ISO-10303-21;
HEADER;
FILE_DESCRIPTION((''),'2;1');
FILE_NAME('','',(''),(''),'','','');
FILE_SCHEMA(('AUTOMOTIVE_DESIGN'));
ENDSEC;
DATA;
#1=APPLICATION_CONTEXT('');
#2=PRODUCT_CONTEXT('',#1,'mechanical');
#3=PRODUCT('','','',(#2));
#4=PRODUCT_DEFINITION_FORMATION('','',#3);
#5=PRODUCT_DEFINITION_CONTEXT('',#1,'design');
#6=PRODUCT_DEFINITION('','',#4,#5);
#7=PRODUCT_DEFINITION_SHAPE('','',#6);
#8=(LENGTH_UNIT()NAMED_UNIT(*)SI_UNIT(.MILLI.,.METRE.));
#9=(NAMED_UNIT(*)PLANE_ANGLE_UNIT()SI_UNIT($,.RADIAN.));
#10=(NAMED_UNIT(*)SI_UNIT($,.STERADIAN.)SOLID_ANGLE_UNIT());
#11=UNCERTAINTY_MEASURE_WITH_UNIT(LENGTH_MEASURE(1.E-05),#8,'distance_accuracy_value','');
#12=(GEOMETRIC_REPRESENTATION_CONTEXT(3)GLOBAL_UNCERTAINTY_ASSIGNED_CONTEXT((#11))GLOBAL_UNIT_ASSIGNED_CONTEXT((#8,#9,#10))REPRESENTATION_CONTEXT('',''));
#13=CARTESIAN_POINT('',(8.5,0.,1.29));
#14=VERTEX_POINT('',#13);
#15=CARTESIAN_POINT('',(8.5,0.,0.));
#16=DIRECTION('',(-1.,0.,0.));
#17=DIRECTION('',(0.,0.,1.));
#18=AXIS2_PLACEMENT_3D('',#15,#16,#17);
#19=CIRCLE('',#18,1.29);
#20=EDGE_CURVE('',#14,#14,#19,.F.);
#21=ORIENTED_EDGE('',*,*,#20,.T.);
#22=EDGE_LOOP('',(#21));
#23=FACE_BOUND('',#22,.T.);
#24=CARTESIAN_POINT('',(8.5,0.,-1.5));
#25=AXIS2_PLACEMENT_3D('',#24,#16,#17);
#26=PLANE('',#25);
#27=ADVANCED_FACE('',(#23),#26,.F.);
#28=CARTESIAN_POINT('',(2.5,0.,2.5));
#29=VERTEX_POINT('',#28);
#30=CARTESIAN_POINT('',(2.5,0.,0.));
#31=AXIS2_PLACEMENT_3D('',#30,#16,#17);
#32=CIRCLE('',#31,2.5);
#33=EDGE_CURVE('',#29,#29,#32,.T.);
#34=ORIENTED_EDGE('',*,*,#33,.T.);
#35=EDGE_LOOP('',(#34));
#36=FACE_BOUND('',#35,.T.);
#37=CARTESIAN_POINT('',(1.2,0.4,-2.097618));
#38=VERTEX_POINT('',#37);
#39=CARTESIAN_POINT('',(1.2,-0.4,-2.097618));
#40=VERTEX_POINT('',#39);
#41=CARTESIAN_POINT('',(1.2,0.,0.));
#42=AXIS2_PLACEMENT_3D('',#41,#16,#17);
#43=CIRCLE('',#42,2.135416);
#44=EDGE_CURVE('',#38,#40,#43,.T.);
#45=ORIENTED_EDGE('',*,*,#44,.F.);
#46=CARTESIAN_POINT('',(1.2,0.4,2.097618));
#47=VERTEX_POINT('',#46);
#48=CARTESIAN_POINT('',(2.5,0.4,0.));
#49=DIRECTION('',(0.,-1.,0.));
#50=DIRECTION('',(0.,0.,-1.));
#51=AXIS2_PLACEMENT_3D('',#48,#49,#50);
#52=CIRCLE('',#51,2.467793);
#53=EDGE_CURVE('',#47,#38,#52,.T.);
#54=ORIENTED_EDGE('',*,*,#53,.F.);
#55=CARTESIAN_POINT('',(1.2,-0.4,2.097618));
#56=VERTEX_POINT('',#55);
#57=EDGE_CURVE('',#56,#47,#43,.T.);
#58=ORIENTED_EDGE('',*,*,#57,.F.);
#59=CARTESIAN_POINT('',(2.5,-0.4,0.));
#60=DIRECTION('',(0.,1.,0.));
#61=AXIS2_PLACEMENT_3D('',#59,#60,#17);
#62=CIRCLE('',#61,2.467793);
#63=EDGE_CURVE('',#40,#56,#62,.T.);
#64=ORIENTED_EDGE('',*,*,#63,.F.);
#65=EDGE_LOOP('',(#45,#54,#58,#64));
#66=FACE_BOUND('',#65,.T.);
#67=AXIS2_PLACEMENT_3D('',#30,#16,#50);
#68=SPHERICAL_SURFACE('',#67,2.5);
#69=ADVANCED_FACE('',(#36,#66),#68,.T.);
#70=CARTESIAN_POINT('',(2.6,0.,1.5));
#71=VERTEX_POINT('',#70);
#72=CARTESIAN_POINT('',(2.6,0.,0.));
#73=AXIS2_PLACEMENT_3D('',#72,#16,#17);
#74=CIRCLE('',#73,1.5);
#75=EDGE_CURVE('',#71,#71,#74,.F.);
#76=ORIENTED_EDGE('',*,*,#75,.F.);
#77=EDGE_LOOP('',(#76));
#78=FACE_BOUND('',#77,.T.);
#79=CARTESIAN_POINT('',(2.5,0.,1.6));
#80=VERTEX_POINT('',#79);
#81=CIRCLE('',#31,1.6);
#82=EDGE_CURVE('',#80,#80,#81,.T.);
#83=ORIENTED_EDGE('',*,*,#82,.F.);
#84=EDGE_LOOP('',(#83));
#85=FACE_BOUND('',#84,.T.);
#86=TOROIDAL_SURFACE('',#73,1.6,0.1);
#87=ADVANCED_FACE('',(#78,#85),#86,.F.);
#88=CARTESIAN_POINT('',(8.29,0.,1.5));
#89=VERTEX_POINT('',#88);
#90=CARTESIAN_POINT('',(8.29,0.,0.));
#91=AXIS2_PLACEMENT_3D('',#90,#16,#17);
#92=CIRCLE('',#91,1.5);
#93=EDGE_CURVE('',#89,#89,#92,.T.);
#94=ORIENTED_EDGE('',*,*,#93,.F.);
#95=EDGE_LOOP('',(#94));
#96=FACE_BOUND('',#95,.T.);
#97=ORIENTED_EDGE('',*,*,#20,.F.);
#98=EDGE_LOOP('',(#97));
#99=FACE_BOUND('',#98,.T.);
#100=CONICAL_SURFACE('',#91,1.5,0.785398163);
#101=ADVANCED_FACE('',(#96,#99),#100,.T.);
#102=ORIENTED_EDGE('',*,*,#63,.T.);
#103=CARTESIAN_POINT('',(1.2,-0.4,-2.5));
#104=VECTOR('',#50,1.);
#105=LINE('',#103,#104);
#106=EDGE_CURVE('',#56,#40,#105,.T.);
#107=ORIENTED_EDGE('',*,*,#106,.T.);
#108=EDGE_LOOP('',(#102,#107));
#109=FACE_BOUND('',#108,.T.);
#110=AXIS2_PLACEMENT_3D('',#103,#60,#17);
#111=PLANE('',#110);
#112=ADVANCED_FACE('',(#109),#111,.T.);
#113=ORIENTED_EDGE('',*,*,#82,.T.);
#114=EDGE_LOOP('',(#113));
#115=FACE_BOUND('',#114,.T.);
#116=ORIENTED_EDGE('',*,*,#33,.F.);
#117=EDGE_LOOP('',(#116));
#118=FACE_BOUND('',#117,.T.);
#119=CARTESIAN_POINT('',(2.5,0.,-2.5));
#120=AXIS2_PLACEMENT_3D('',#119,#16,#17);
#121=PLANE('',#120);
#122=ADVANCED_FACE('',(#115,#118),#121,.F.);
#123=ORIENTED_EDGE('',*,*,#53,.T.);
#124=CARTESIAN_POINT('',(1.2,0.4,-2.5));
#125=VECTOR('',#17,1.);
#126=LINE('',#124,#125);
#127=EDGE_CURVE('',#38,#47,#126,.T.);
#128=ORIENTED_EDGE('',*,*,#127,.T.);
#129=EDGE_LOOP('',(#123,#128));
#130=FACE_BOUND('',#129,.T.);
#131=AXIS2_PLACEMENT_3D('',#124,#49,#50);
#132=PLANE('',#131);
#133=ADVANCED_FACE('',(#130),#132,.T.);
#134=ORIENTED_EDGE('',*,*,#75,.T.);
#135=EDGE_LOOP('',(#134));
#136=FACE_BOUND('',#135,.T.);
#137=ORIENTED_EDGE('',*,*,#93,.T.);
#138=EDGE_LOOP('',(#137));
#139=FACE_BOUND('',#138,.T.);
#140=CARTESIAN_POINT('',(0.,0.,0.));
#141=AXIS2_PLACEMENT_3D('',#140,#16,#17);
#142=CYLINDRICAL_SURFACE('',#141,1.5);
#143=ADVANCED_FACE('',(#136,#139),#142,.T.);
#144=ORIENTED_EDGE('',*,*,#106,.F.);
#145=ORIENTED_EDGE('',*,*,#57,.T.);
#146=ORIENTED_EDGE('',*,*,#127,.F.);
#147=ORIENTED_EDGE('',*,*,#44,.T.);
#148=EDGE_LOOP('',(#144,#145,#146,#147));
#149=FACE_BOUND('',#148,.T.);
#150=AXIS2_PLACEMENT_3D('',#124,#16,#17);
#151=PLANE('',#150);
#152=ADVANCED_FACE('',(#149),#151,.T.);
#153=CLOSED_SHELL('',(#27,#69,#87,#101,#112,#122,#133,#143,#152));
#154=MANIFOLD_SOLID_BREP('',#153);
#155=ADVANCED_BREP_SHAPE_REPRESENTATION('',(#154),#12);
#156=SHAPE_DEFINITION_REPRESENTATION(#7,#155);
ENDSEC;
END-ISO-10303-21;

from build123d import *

# Parameters (mm, degrees)
ZKOSIT1_SIZE             = 0.21
ZAOBLIT1_R               = 0.1
SKICA3_W                 = 5
SKICA3_H                 = 0.8
ODEBRAT_VYSUNUT_M2_DEPTH = 1.2


with BuildPart() as part:
    # Skica1 → Otočit kolem osy1 (revolve)
    with BuildSketch(Plane(origin=(0, 0, 0), x_dir=(1, 0, 0), z_dir=(0, 1, 0))):
        with BuildLine():
            Line((2.5, 2.5), (2.5, 1.5))
            Line((2.5, 1.5), (8.5, 1.5))
            Line((8.5, 1.5), (8.5, 0))
            Line((8.5, 0), (0, 0))
            ThreePointArc((0, 0), (0.732233047, 1.767766953), (2.5, 2.5))
        make_face()
    revolve(axis=Axis((0, 0, 0), (1, 0, 0)))

    # Zkosit1
    zkosit1_edges = [part.edges().sort_by_distance(p)[0] for p in [
        (8.5, 0, 1.5),
    ]]
    chamfer(zkosit1_edges, length=ZKOSIT1_SIZE)

    # Zaoblit1
    zaoblit1_edges = [part.edges().sort_by_distance(p)[0] for p in [
        (2.5, 0, 1.5),
    ]]
    fillet(zaoblit1_edges, radius=ZAOBLIT1_R)

    # Skica3 → Odebrat vysunutím2 (cut)
    with BuildSketch(Plane(origin=(0, 0, 0), x_dir=(0, 0, -1), z_dir=(1, 0, 0))):
        Rectangle(SKICA3_W, SKICA3_H)
    extrude(amount=ODEBRAT_VYSUNUT_M2_DEPTH, mode=Mode.SUBTRACT)


solid = part.part
